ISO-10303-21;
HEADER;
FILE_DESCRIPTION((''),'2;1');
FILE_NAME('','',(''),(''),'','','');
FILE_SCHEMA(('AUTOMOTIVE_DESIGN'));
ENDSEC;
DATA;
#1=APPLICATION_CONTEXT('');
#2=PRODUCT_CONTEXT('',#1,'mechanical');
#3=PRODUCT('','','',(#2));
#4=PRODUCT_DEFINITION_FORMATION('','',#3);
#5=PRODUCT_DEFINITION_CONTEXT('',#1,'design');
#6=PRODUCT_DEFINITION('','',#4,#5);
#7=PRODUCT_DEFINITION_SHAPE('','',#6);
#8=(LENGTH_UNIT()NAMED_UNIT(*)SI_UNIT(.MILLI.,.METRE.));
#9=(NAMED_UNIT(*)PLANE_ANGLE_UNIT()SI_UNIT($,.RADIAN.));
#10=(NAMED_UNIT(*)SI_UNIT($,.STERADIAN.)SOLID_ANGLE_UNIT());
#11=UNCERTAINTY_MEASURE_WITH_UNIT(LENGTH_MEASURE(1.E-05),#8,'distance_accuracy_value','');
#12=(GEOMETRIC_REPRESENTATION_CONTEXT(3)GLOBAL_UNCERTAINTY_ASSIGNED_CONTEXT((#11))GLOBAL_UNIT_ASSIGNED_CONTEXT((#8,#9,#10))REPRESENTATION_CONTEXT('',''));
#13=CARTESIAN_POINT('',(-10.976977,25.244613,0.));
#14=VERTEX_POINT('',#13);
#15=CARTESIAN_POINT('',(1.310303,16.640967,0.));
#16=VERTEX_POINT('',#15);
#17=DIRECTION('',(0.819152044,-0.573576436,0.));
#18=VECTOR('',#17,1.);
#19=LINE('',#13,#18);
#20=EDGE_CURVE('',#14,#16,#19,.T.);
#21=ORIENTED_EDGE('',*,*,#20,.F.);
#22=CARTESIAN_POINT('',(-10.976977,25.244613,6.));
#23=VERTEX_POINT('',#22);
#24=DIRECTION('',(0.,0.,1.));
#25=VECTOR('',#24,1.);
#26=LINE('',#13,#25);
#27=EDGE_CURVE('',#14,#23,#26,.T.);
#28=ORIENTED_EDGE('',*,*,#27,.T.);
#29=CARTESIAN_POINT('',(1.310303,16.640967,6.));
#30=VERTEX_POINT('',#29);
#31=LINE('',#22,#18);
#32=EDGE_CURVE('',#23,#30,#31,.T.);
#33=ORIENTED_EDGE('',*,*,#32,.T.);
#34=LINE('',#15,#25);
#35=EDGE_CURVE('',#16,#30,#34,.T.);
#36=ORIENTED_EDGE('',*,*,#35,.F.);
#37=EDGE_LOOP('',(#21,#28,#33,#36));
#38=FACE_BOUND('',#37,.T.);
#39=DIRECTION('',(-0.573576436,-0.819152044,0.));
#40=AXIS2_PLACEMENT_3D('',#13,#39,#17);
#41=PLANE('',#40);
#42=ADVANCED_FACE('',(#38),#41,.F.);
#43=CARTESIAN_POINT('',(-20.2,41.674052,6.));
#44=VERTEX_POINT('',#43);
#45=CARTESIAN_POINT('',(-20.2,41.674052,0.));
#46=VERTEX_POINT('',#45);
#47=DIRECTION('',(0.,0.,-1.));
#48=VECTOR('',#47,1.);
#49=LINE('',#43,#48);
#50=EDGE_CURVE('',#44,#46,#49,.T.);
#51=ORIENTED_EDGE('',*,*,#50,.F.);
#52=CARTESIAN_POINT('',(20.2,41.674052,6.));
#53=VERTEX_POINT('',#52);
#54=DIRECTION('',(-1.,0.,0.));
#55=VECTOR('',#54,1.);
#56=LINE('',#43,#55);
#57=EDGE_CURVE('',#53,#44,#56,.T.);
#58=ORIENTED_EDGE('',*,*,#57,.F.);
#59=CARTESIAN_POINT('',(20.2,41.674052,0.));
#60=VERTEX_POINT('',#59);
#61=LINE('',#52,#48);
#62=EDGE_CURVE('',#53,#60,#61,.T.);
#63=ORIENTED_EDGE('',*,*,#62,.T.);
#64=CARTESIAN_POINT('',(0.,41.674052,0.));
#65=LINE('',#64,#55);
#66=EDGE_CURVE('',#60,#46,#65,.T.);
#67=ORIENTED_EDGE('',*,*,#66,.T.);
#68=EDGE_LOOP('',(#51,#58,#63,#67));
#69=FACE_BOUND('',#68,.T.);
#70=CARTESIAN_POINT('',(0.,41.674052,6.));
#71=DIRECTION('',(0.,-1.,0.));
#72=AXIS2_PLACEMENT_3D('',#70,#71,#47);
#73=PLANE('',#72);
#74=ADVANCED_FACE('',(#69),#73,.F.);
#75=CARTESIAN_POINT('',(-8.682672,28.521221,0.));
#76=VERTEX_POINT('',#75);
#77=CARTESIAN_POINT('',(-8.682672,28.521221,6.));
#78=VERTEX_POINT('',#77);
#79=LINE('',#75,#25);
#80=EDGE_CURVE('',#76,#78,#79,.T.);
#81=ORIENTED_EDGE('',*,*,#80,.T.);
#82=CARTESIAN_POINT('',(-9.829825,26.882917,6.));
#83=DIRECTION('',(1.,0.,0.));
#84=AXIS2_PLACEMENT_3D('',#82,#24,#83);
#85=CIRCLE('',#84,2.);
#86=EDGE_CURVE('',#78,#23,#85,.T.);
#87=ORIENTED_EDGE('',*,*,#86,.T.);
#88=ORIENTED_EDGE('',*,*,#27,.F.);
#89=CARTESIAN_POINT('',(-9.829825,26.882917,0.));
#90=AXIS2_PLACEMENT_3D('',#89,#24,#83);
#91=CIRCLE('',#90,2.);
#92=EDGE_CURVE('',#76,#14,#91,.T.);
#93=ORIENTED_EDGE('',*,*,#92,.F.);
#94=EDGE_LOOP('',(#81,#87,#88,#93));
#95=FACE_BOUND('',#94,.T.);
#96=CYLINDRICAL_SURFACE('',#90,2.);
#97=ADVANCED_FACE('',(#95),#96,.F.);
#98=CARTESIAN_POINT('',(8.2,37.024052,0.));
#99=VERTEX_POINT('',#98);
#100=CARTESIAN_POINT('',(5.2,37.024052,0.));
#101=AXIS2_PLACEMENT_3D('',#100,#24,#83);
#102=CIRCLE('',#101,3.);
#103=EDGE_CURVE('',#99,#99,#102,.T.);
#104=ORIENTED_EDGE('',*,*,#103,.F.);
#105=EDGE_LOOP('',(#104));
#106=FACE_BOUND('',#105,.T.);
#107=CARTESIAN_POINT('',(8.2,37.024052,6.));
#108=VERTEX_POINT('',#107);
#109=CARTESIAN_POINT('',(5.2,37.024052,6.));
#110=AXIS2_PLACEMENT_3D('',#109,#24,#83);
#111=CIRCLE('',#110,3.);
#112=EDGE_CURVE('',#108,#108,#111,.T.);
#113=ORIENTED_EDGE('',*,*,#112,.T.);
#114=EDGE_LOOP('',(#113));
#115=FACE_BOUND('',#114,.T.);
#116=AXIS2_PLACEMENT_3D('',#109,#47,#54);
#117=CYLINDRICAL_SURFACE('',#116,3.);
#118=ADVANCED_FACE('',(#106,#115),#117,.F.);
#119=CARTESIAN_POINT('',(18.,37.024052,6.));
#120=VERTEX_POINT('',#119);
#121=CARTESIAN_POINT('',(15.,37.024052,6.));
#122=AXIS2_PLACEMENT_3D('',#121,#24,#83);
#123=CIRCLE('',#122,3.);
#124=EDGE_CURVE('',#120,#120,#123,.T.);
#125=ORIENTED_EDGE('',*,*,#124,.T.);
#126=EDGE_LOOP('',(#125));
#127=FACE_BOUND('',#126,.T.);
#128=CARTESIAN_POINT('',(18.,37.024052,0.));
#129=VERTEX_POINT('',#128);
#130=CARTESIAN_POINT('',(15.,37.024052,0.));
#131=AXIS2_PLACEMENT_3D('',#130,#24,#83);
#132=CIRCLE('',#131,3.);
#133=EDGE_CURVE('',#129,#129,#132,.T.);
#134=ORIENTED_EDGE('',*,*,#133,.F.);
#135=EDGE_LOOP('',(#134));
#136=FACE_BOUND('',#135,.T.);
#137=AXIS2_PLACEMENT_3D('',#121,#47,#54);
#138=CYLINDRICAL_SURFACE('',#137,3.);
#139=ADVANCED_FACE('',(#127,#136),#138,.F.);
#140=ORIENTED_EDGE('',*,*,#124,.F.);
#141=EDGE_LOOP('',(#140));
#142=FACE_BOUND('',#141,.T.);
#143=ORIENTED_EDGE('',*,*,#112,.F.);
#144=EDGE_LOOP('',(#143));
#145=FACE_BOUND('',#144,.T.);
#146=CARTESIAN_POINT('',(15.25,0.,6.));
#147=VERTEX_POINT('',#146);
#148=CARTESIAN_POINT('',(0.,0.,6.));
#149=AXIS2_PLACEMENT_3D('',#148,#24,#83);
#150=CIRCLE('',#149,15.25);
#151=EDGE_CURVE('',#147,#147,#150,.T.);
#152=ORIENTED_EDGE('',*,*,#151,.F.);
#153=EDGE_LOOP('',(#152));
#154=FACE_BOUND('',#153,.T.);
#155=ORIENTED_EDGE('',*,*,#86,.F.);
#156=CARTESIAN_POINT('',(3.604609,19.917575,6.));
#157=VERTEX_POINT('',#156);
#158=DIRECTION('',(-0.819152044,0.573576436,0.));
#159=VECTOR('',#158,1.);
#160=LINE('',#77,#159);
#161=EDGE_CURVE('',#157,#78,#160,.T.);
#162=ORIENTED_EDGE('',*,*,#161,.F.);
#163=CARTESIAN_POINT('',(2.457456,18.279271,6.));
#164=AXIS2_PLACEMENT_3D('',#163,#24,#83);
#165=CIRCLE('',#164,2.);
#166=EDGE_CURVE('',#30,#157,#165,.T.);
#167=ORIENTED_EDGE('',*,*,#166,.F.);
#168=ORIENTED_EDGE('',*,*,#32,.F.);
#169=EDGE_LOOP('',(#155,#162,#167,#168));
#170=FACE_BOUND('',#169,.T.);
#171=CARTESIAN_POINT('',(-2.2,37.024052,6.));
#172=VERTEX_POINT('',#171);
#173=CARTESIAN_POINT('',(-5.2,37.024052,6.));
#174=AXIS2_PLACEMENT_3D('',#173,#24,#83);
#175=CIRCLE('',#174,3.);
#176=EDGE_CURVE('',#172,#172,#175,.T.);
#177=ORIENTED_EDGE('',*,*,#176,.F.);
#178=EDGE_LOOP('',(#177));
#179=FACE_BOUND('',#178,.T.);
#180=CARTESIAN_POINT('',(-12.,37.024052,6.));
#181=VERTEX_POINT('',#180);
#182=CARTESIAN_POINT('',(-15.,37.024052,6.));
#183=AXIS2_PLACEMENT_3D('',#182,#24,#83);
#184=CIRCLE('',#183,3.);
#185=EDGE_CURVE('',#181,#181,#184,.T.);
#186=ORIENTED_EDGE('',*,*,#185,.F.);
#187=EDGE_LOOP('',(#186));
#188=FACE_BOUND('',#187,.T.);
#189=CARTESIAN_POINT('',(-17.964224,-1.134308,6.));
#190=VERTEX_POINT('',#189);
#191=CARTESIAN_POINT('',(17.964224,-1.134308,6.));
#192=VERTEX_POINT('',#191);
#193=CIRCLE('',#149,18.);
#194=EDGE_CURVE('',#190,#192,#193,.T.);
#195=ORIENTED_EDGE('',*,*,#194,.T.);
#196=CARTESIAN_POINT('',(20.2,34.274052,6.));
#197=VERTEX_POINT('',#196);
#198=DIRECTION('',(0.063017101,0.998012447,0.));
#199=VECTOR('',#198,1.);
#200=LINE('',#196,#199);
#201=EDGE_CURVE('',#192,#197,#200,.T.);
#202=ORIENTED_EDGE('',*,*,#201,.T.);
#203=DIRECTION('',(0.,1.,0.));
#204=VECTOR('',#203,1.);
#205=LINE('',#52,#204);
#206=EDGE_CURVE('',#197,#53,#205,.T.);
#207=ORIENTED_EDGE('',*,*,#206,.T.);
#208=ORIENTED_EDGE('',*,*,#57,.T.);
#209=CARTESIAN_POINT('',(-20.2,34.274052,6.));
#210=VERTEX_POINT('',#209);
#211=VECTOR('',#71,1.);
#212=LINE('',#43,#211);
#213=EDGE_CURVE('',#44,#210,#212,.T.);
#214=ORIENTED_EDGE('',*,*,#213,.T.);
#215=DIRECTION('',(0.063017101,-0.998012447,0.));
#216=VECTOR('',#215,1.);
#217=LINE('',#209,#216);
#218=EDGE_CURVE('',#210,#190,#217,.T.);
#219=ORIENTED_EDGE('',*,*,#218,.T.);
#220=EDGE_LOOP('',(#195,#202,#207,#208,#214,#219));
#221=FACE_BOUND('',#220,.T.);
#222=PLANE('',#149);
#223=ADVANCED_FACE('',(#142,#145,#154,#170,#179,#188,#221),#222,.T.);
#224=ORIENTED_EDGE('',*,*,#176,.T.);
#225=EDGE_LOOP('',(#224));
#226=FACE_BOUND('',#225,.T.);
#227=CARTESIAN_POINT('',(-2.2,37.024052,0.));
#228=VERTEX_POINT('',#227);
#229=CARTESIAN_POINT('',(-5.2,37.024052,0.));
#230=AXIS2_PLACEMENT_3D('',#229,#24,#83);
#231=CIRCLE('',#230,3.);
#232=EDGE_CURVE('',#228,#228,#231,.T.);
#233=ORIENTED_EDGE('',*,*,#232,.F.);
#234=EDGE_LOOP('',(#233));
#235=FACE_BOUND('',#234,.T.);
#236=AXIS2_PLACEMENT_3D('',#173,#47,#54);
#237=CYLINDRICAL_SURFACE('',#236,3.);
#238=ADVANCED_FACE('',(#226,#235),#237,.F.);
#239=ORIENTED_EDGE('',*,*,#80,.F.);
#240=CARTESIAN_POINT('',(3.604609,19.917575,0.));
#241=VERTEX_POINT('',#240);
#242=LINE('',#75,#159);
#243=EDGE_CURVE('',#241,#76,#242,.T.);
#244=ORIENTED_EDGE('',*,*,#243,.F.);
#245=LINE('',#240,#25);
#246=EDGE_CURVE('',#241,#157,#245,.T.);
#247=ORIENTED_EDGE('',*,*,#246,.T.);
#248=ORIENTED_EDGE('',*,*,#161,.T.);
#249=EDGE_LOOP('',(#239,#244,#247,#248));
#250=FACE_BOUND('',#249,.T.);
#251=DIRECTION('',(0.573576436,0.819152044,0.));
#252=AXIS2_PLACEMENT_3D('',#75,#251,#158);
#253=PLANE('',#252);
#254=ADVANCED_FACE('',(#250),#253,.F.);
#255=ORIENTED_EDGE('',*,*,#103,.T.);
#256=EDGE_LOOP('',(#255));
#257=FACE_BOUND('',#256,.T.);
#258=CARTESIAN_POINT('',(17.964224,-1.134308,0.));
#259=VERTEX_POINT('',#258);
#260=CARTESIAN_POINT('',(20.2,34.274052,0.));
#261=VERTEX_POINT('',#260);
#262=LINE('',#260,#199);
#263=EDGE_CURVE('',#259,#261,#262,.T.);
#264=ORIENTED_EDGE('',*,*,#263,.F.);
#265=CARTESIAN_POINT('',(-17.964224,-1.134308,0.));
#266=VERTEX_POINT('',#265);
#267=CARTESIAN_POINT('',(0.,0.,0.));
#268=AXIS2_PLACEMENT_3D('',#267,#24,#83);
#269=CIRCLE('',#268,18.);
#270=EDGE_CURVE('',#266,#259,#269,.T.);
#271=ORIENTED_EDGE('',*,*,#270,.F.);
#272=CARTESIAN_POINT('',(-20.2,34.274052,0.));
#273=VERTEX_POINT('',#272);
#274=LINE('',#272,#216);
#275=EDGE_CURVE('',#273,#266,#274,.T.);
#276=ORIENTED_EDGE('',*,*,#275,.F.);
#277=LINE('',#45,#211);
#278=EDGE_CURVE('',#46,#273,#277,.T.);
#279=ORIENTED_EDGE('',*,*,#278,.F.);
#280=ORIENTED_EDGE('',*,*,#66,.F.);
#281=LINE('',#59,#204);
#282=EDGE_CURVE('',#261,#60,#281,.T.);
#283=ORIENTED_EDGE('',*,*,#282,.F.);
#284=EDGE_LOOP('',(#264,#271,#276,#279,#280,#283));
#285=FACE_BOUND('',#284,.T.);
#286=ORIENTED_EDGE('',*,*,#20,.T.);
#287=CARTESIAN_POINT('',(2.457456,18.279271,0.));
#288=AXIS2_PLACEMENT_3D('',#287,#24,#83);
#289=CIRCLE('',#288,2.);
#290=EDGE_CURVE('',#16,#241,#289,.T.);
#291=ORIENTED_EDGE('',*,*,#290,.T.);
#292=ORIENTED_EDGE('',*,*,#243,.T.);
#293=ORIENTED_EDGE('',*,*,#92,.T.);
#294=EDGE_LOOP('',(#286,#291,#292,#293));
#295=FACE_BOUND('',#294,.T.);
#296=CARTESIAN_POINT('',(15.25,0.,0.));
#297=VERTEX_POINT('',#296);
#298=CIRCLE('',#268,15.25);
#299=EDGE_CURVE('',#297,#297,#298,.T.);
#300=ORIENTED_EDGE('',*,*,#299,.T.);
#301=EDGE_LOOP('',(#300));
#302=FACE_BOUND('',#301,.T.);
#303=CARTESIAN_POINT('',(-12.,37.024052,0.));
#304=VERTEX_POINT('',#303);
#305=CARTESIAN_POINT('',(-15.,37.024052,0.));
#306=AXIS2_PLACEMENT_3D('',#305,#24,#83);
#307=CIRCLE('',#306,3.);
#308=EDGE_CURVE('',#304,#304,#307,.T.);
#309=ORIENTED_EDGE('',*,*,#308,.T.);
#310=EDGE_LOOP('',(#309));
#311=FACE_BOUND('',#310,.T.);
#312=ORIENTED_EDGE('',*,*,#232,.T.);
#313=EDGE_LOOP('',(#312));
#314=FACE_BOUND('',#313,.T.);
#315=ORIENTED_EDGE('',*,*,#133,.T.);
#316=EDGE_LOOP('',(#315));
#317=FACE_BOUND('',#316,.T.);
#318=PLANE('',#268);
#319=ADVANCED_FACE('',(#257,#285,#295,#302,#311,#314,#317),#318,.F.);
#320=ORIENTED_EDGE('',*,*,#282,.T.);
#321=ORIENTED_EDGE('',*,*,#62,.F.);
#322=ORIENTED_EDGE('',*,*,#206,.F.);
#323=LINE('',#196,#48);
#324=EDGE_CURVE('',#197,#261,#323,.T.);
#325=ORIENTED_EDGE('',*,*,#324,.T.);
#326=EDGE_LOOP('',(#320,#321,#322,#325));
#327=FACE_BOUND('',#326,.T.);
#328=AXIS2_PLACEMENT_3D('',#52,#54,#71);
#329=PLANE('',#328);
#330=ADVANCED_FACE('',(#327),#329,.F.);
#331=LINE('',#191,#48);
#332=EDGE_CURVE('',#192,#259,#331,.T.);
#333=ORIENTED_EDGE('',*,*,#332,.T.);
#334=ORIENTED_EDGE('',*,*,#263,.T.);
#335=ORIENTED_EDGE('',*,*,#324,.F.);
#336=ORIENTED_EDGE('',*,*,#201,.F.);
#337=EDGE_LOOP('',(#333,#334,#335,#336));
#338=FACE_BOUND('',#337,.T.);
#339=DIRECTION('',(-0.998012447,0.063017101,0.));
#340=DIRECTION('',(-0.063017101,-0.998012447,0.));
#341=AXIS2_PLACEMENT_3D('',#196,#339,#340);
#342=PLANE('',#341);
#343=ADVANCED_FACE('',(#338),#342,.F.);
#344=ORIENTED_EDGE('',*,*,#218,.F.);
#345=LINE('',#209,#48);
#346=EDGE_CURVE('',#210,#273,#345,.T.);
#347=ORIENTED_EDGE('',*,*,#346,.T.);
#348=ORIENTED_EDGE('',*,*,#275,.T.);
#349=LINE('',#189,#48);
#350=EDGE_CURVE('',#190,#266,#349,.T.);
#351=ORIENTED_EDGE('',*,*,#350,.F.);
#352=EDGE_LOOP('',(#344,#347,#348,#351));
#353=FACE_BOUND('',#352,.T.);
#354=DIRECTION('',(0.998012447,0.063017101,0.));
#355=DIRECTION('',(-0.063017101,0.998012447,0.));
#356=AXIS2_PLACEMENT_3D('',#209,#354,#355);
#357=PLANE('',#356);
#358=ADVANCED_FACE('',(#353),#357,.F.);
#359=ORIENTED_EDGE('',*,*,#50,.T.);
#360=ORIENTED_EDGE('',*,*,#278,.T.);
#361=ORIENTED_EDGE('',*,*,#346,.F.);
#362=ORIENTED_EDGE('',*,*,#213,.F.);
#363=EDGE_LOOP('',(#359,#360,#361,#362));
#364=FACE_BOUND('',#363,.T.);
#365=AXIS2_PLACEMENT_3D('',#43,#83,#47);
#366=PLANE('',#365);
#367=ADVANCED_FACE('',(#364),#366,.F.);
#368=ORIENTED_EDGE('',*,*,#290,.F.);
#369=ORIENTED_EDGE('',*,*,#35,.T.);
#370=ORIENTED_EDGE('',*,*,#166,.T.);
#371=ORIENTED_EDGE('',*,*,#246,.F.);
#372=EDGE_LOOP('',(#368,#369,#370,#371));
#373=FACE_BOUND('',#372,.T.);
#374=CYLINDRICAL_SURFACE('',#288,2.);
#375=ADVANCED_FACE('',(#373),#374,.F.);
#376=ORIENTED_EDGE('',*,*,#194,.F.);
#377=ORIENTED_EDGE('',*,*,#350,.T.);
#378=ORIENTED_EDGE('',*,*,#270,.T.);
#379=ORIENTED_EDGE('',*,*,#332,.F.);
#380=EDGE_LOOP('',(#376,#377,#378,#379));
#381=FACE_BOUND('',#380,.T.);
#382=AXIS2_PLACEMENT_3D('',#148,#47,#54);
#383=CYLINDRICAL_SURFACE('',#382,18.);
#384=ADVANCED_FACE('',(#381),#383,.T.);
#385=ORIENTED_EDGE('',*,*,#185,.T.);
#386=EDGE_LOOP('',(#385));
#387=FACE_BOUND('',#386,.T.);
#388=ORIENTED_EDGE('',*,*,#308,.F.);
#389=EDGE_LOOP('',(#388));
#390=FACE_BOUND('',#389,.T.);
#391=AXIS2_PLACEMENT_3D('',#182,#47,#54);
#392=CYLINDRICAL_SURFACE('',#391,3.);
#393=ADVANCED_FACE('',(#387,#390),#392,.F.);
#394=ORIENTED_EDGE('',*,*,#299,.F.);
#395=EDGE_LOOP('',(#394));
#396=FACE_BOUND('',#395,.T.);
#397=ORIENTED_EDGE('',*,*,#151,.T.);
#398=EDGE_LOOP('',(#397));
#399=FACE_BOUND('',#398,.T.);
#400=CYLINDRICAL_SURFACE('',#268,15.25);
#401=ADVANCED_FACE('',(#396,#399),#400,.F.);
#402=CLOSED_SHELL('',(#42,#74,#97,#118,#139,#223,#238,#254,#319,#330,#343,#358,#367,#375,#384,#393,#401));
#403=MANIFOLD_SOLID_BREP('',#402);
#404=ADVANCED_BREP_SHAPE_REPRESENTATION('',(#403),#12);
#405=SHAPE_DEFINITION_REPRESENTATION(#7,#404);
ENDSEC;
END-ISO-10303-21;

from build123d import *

# Parameters (mm, degrees)
SKETCH1_R               = 7.95
SKETCH1_R_2             = 3
MAIN_BODY_LINK_B2_DEPTH = 6
CUT_EXTRUDE1_REACH      = 48.699
SKETCH2_R               = 1.5
CUT_EXTRUDE2_DEPTH      = 47.698679231
SKETCH4_R               = 15.25
CUT_EXTRUDE3_DEPTH      = 47.698679231


with BuildPart() as part:
    # Sketch1 → Main Body Link B2 (new body)
    with BuildSketch(Plane.XY):
        with BuildLine():
            Line((0, 41.674052381), (20.2, 41.674052381))
            Line((20.2, 41.674052381), (20.2, 34.274052381))
            Line((20.2, 34.274052381), (17.964224051, -1.134307826))
            ThreePointArc((17.964224051, -1.134307826), (0, -18), (-17.964224051, -1.134307826))
            Line((-17.964224051, -1.134307826), (-20.2, 34.274052381))
            Line((-20.2, 34.274052381), (-20.2, 41.674052381))
            Line((-20.2, 41.674052381), (0, 41.674052381))
        make_face()
        Circle(SKETCH1_R, mode=Mode.SUBTRACT)
        with Locations((-15, 37.024052381)):
            Circle(SKETCH1_R_2, mode=Mode.SUBTRACT)
        with Locations((-5.2, 37.024052381)):
            Circle(SKETCH1_R_2, mode=Mode.SUBTRACT)
        with Locations((5.2, 37.024052381)):
            Circle(SKETCH1_R_2, mode=Mode.SUBTRACT)
        with Locations((15, 37.024052381)):
            Circle(SKETCH1_R_2, mode=Mode.SUBTRACT)
    extrude(amount=MAIN_BODY_LINK_B2_DEPTH)

    # Sketch2 → Cut-Extrude1 (cut, up to next)
    with BuildSketch(Plane.XY.offset(6), mode=Mode.PRIVATE) as cut_extrude1_sk1:
        with Locations((-11.5, 0)):
            Circle(SKETCH2_R)
    cut_extrude1_tool1 = extrude(cut_extrude1_sk1.sketch, amount=-CUT_EXTRUDE1_REACH, mode=Mode.PRIVATE) & part.part
    # Sketch2 → Cut-Extrude1 (cut, up to next)
    with BuildSketch(Plane.XY.offset(6), mode=Mode.PRIVATE) as cut_extrude1_sk2:
        with Locations((11.5, 0)):
            Circle(SKETCH2_R)
    cut_extrude1_tool2 = extrude(cut_extrude1_sk2.sketch, amount=-CUT_EXTRUDE1_REACH, mode=Mode.PRIVATE) & part.part
    add(cut_extrude1_tool1.solids().sort_by_distance((-11.5, 0, 6))[0], mode=Mode.SUBTRACT)
    add(cut_extrude1_tool2.solids().sort_by_distance((11.5, 0, 6))[0], mode=Mode.SUBTRACT)

    # Sketch3 → Cut-Extrude2 (cut, through all)
    with BuildSketch(Plane.XY.offset(6)):
        with BuildLine():
            Line((-8.682671659, 28.521221325), (3.604609006, 19.91757478))
            ThreePointArc((3.604609006, 19.91757478), (4.095760221, 17.132117818), (1.31030326, 16.640966602))
            Line((1.31030326, 16.640966602), (-10.976977404, 25.244613148))
            ThreePointArc((-10.976977404, 25.244613148), (-11.46812862, 28.030070109), (-8.682671659, 28.521221325))
        make_face()
    extrude(amount=-CUT_EXTRUDE2_DEPTH, mode=Mode.SUBTRACT)

    # Sketch4 → Cut-Extrude3 (cut, through all)
    with BuildSketch(Plane.XY.offset(6)):
        Circle(SKETCH4_R)
    extrude(amount=-CUT_EXTRUDE3_DEPTH, mode=Mode.SUBTRACT)


solid = part.part
